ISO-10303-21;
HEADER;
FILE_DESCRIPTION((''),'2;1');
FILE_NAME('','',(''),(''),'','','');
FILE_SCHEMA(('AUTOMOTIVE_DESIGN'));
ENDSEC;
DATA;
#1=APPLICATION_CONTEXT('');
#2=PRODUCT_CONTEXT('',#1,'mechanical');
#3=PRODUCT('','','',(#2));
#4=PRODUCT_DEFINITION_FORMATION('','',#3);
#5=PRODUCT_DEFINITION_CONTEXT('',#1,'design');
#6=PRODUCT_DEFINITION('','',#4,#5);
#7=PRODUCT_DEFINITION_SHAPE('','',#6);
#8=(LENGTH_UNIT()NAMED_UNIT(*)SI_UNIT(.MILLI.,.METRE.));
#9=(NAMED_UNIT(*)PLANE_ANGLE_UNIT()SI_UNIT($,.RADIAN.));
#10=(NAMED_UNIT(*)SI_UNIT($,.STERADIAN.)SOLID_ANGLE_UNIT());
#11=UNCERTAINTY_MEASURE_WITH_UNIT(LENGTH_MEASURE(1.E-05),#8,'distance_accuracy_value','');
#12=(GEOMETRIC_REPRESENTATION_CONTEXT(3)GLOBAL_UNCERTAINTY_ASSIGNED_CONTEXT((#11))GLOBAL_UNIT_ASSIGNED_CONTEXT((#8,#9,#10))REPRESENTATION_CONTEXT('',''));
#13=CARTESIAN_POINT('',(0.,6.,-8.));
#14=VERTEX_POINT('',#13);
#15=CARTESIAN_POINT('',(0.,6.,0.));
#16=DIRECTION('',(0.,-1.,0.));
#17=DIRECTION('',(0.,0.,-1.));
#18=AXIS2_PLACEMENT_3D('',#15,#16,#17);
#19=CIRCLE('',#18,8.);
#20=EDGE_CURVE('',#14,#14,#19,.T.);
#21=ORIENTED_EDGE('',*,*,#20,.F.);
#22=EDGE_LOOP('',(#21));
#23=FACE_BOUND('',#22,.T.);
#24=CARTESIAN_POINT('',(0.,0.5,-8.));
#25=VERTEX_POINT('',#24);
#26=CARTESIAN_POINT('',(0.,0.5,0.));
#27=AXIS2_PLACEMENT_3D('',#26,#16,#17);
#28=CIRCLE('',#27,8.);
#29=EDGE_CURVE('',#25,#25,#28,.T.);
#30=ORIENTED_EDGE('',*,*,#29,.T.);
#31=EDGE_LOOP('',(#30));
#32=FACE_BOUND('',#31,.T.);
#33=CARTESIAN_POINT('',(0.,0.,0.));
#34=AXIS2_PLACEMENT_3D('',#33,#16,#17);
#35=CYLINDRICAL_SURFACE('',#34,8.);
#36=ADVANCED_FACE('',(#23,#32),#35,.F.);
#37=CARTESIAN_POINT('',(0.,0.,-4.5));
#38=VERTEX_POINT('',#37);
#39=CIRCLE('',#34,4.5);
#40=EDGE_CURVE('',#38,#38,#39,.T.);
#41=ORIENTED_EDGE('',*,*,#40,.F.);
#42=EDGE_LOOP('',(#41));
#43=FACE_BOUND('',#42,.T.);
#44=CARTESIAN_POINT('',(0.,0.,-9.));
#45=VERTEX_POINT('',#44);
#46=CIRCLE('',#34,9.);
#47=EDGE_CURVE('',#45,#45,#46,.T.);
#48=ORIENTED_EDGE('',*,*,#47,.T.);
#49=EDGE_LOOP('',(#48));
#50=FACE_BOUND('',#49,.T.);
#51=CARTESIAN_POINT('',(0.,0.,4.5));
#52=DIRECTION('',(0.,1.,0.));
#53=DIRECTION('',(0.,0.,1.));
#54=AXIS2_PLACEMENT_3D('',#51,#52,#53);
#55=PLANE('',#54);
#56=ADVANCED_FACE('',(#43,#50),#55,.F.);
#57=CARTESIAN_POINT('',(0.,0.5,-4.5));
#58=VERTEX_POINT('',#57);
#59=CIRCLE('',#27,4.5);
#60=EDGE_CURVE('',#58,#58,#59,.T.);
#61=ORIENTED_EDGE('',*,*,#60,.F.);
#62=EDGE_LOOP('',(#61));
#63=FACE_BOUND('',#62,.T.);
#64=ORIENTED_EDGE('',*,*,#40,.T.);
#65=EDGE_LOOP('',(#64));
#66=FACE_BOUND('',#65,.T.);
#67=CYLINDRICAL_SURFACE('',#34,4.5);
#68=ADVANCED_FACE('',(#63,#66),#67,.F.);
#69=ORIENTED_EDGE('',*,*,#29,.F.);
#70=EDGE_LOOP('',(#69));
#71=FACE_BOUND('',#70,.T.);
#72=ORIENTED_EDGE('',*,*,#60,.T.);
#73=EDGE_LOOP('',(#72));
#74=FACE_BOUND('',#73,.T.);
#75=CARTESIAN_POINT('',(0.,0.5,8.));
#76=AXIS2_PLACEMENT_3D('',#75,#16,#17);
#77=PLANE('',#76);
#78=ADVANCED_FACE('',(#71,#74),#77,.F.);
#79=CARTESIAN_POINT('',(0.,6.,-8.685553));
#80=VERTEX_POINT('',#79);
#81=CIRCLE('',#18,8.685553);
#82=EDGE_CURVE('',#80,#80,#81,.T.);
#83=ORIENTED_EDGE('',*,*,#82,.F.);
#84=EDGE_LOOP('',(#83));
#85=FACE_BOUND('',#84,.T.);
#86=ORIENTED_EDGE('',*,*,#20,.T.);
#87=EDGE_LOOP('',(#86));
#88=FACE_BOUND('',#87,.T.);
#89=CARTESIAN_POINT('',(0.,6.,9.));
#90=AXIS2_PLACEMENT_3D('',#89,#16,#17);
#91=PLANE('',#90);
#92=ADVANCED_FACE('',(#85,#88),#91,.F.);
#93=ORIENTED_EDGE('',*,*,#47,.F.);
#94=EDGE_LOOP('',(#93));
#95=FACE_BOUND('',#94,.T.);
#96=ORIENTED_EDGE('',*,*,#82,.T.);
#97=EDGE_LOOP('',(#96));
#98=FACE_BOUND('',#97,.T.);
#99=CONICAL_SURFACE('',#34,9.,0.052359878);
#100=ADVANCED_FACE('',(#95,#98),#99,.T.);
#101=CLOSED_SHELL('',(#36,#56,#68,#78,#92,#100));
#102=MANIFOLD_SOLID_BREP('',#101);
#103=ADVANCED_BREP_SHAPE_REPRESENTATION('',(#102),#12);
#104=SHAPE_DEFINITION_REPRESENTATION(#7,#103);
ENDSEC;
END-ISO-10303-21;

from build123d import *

# Parameters (mm, degrees)
DRAFT1_ANGLE = -3


with BuildPart() as part:
    # Sketch1 → Revolve1 (revolve)
    with BuildSketch(Plane(origin=(0, 0, 0), x_dir=(0, 0, -1), z_dir=(1, 0, 0)), mode=Mode.PRIVATE) as revolve1_sk:
        Polygon((-4.5, 0), (-9, 0), (-9, 6), (-8, 6), (-8, 0.5), (-4.5, 0.5), align=None)
    revolve(revolve1_sk.sketch.rotate(Axis((0, 0, 0), (0, 1, 0)), 180), axis=Axis((0, 0, 0), (0, 1, 0)))

    # Draft1
    draft1_faces = [part.faces().sort_by_distance(p)[0] for p in [
        (0, 3, 9),
    ]]
    draft(draft1_faces, Plane(origin=(0, 0, 4.5), x_dir=(0, 0, -1), z_dir=(0, -1, 0)), DRAFT1_ANGLE)


solid = part.part
